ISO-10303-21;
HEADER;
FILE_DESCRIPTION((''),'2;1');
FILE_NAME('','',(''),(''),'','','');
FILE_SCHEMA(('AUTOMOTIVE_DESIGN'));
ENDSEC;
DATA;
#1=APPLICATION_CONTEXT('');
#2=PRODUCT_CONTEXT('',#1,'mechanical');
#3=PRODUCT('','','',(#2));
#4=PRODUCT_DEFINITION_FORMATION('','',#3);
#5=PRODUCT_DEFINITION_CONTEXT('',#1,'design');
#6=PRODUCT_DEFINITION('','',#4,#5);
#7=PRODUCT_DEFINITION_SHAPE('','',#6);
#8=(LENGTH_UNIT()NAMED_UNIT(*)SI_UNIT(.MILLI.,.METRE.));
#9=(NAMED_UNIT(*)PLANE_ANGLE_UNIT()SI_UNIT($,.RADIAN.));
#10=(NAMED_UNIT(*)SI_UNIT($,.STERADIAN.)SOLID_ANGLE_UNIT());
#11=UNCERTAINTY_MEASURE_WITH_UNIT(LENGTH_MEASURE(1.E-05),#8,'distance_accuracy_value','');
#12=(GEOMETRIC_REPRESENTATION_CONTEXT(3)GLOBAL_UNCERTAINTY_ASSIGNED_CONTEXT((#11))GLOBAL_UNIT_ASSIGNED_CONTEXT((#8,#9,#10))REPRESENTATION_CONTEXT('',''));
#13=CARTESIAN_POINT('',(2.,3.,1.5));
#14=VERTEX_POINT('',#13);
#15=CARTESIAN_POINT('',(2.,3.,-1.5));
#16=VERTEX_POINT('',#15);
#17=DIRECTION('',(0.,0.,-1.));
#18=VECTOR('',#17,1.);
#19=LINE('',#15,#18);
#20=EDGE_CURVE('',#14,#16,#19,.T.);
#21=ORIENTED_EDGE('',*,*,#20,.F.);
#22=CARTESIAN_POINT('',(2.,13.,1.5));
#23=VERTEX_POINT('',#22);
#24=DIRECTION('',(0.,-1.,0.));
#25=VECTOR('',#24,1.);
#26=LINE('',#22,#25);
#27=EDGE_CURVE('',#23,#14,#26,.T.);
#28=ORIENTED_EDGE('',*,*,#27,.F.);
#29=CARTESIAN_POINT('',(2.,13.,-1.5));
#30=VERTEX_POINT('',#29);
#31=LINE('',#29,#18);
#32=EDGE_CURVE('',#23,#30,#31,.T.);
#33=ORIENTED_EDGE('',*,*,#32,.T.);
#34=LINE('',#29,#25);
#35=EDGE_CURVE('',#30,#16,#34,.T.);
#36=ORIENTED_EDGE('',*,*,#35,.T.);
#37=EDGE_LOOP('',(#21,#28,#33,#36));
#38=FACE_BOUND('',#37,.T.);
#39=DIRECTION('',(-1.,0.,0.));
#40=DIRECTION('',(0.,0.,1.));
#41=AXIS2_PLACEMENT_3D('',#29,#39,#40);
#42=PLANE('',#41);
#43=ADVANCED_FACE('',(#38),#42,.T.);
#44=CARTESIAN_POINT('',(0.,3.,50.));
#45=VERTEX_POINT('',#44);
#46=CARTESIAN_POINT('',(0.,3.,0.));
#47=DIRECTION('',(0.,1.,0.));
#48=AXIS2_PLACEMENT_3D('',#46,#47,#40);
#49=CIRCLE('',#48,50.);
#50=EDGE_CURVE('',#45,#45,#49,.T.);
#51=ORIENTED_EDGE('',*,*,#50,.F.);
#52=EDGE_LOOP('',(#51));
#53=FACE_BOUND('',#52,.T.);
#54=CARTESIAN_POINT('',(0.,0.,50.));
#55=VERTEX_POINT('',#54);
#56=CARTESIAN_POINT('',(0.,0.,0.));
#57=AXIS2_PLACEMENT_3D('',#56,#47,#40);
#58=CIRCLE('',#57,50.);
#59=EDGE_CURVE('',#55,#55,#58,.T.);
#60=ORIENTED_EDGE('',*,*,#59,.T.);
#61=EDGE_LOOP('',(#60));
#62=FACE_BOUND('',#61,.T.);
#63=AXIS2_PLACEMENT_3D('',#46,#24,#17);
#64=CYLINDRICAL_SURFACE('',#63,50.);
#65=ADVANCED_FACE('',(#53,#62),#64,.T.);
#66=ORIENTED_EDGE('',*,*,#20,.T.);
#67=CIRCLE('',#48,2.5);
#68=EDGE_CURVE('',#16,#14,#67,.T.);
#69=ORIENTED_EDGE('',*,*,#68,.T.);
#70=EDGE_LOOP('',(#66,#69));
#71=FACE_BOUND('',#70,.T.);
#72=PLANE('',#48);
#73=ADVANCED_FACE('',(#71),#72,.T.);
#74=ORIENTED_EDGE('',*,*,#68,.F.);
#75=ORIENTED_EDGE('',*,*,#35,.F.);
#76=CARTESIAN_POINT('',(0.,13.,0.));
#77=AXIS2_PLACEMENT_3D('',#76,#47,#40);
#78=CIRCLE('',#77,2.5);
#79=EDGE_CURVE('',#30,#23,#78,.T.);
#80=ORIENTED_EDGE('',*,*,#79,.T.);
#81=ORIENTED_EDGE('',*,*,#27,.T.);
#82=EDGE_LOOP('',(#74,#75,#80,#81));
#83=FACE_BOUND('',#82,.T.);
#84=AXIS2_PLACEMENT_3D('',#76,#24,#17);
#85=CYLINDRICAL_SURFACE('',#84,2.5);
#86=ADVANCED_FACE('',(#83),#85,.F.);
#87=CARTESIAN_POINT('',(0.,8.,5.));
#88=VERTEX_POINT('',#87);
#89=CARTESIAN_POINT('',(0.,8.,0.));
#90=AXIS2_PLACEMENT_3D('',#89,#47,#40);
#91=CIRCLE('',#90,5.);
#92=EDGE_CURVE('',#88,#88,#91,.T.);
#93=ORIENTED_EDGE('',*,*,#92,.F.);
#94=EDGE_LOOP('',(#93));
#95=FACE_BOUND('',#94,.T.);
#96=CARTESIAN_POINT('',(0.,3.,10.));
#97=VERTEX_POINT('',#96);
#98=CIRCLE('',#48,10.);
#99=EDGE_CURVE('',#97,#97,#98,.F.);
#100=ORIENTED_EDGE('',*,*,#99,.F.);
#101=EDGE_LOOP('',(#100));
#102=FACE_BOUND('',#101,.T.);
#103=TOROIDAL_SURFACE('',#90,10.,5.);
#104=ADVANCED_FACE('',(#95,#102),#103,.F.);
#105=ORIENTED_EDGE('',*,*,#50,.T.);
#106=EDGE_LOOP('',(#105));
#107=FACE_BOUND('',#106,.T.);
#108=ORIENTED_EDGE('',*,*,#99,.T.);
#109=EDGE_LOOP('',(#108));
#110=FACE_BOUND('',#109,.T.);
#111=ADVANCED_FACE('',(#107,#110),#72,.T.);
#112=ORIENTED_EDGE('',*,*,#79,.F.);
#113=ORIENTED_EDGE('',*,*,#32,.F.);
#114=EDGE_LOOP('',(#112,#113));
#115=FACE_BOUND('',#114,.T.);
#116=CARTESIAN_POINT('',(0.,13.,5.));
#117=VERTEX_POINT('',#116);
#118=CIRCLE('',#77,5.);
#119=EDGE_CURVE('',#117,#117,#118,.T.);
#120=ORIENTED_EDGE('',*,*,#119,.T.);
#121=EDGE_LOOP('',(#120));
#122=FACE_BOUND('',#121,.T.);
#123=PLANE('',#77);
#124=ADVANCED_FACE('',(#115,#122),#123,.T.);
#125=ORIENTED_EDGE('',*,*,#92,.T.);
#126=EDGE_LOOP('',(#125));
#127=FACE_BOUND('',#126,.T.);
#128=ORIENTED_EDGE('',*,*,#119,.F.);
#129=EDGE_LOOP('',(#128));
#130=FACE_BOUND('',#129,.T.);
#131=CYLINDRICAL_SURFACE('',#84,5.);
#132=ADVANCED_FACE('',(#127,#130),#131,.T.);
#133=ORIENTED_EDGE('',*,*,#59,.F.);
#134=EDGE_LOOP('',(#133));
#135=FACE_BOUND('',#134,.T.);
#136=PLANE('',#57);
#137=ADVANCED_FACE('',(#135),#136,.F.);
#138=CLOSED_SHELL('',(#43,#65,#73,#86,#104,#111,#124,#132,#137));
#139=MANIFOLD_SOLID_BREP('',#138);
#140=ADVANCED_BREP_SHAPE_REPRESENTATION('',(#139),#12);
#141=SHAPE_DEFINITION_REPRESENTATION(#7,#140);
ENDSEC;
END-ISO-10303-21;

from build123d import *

# Parameters (mm, degrees)
SKETCH2_R           = 50
BOSS_EXTRUDE1_DEPTH = 3
SKETCH3_R           = 5
BOSS_EXTRUDE2_DEPTH = 10
FILLET1_R           = 5


with BuildPart() as part:
    # Sketch2 → Boss-Extrude1 (new body)
    with BuildSketch(Plane(origin=(0, 0, 0), x_dir=(1, 0, 0), z_dir=(0, 1, 0))):
        with Locations(Location((0, 0, 0), (0, 0, 270))):
            Circle(SKETCH2_R)
    extrude(amount=BOSS_EXTRUDE1_DEPTH)

    # Sketch3 → Boss-Extrude2 (add)
    with BuildSketch(Plane(origin=(0, 3, 0), x_dir=(1, 0, 0), z_dir=(0, 1, 0))):
        with Locations(Location((0, 0, 0), (0, 0, 270))):
            Circle(SKETCH3_R)
        with BuildLine():
            Line((2, 1.5), (2, -1.5))
            ThreePointArc((2, -1.5), (-2.5, 0), (2, 1.5))
        make_face(mode=Mode.SUBTRACT)
    extrude(amount=BOSS_EXTRUDE2_DEPTH)

    # Fillet1
    fillet1_edges = [part.edges().sort_by_distance(p)[0] for p in [
        (0, 3, -5),
    ]]
    fillet(fillet1_edges, radius=FILLET1_R)


solid = part.part
